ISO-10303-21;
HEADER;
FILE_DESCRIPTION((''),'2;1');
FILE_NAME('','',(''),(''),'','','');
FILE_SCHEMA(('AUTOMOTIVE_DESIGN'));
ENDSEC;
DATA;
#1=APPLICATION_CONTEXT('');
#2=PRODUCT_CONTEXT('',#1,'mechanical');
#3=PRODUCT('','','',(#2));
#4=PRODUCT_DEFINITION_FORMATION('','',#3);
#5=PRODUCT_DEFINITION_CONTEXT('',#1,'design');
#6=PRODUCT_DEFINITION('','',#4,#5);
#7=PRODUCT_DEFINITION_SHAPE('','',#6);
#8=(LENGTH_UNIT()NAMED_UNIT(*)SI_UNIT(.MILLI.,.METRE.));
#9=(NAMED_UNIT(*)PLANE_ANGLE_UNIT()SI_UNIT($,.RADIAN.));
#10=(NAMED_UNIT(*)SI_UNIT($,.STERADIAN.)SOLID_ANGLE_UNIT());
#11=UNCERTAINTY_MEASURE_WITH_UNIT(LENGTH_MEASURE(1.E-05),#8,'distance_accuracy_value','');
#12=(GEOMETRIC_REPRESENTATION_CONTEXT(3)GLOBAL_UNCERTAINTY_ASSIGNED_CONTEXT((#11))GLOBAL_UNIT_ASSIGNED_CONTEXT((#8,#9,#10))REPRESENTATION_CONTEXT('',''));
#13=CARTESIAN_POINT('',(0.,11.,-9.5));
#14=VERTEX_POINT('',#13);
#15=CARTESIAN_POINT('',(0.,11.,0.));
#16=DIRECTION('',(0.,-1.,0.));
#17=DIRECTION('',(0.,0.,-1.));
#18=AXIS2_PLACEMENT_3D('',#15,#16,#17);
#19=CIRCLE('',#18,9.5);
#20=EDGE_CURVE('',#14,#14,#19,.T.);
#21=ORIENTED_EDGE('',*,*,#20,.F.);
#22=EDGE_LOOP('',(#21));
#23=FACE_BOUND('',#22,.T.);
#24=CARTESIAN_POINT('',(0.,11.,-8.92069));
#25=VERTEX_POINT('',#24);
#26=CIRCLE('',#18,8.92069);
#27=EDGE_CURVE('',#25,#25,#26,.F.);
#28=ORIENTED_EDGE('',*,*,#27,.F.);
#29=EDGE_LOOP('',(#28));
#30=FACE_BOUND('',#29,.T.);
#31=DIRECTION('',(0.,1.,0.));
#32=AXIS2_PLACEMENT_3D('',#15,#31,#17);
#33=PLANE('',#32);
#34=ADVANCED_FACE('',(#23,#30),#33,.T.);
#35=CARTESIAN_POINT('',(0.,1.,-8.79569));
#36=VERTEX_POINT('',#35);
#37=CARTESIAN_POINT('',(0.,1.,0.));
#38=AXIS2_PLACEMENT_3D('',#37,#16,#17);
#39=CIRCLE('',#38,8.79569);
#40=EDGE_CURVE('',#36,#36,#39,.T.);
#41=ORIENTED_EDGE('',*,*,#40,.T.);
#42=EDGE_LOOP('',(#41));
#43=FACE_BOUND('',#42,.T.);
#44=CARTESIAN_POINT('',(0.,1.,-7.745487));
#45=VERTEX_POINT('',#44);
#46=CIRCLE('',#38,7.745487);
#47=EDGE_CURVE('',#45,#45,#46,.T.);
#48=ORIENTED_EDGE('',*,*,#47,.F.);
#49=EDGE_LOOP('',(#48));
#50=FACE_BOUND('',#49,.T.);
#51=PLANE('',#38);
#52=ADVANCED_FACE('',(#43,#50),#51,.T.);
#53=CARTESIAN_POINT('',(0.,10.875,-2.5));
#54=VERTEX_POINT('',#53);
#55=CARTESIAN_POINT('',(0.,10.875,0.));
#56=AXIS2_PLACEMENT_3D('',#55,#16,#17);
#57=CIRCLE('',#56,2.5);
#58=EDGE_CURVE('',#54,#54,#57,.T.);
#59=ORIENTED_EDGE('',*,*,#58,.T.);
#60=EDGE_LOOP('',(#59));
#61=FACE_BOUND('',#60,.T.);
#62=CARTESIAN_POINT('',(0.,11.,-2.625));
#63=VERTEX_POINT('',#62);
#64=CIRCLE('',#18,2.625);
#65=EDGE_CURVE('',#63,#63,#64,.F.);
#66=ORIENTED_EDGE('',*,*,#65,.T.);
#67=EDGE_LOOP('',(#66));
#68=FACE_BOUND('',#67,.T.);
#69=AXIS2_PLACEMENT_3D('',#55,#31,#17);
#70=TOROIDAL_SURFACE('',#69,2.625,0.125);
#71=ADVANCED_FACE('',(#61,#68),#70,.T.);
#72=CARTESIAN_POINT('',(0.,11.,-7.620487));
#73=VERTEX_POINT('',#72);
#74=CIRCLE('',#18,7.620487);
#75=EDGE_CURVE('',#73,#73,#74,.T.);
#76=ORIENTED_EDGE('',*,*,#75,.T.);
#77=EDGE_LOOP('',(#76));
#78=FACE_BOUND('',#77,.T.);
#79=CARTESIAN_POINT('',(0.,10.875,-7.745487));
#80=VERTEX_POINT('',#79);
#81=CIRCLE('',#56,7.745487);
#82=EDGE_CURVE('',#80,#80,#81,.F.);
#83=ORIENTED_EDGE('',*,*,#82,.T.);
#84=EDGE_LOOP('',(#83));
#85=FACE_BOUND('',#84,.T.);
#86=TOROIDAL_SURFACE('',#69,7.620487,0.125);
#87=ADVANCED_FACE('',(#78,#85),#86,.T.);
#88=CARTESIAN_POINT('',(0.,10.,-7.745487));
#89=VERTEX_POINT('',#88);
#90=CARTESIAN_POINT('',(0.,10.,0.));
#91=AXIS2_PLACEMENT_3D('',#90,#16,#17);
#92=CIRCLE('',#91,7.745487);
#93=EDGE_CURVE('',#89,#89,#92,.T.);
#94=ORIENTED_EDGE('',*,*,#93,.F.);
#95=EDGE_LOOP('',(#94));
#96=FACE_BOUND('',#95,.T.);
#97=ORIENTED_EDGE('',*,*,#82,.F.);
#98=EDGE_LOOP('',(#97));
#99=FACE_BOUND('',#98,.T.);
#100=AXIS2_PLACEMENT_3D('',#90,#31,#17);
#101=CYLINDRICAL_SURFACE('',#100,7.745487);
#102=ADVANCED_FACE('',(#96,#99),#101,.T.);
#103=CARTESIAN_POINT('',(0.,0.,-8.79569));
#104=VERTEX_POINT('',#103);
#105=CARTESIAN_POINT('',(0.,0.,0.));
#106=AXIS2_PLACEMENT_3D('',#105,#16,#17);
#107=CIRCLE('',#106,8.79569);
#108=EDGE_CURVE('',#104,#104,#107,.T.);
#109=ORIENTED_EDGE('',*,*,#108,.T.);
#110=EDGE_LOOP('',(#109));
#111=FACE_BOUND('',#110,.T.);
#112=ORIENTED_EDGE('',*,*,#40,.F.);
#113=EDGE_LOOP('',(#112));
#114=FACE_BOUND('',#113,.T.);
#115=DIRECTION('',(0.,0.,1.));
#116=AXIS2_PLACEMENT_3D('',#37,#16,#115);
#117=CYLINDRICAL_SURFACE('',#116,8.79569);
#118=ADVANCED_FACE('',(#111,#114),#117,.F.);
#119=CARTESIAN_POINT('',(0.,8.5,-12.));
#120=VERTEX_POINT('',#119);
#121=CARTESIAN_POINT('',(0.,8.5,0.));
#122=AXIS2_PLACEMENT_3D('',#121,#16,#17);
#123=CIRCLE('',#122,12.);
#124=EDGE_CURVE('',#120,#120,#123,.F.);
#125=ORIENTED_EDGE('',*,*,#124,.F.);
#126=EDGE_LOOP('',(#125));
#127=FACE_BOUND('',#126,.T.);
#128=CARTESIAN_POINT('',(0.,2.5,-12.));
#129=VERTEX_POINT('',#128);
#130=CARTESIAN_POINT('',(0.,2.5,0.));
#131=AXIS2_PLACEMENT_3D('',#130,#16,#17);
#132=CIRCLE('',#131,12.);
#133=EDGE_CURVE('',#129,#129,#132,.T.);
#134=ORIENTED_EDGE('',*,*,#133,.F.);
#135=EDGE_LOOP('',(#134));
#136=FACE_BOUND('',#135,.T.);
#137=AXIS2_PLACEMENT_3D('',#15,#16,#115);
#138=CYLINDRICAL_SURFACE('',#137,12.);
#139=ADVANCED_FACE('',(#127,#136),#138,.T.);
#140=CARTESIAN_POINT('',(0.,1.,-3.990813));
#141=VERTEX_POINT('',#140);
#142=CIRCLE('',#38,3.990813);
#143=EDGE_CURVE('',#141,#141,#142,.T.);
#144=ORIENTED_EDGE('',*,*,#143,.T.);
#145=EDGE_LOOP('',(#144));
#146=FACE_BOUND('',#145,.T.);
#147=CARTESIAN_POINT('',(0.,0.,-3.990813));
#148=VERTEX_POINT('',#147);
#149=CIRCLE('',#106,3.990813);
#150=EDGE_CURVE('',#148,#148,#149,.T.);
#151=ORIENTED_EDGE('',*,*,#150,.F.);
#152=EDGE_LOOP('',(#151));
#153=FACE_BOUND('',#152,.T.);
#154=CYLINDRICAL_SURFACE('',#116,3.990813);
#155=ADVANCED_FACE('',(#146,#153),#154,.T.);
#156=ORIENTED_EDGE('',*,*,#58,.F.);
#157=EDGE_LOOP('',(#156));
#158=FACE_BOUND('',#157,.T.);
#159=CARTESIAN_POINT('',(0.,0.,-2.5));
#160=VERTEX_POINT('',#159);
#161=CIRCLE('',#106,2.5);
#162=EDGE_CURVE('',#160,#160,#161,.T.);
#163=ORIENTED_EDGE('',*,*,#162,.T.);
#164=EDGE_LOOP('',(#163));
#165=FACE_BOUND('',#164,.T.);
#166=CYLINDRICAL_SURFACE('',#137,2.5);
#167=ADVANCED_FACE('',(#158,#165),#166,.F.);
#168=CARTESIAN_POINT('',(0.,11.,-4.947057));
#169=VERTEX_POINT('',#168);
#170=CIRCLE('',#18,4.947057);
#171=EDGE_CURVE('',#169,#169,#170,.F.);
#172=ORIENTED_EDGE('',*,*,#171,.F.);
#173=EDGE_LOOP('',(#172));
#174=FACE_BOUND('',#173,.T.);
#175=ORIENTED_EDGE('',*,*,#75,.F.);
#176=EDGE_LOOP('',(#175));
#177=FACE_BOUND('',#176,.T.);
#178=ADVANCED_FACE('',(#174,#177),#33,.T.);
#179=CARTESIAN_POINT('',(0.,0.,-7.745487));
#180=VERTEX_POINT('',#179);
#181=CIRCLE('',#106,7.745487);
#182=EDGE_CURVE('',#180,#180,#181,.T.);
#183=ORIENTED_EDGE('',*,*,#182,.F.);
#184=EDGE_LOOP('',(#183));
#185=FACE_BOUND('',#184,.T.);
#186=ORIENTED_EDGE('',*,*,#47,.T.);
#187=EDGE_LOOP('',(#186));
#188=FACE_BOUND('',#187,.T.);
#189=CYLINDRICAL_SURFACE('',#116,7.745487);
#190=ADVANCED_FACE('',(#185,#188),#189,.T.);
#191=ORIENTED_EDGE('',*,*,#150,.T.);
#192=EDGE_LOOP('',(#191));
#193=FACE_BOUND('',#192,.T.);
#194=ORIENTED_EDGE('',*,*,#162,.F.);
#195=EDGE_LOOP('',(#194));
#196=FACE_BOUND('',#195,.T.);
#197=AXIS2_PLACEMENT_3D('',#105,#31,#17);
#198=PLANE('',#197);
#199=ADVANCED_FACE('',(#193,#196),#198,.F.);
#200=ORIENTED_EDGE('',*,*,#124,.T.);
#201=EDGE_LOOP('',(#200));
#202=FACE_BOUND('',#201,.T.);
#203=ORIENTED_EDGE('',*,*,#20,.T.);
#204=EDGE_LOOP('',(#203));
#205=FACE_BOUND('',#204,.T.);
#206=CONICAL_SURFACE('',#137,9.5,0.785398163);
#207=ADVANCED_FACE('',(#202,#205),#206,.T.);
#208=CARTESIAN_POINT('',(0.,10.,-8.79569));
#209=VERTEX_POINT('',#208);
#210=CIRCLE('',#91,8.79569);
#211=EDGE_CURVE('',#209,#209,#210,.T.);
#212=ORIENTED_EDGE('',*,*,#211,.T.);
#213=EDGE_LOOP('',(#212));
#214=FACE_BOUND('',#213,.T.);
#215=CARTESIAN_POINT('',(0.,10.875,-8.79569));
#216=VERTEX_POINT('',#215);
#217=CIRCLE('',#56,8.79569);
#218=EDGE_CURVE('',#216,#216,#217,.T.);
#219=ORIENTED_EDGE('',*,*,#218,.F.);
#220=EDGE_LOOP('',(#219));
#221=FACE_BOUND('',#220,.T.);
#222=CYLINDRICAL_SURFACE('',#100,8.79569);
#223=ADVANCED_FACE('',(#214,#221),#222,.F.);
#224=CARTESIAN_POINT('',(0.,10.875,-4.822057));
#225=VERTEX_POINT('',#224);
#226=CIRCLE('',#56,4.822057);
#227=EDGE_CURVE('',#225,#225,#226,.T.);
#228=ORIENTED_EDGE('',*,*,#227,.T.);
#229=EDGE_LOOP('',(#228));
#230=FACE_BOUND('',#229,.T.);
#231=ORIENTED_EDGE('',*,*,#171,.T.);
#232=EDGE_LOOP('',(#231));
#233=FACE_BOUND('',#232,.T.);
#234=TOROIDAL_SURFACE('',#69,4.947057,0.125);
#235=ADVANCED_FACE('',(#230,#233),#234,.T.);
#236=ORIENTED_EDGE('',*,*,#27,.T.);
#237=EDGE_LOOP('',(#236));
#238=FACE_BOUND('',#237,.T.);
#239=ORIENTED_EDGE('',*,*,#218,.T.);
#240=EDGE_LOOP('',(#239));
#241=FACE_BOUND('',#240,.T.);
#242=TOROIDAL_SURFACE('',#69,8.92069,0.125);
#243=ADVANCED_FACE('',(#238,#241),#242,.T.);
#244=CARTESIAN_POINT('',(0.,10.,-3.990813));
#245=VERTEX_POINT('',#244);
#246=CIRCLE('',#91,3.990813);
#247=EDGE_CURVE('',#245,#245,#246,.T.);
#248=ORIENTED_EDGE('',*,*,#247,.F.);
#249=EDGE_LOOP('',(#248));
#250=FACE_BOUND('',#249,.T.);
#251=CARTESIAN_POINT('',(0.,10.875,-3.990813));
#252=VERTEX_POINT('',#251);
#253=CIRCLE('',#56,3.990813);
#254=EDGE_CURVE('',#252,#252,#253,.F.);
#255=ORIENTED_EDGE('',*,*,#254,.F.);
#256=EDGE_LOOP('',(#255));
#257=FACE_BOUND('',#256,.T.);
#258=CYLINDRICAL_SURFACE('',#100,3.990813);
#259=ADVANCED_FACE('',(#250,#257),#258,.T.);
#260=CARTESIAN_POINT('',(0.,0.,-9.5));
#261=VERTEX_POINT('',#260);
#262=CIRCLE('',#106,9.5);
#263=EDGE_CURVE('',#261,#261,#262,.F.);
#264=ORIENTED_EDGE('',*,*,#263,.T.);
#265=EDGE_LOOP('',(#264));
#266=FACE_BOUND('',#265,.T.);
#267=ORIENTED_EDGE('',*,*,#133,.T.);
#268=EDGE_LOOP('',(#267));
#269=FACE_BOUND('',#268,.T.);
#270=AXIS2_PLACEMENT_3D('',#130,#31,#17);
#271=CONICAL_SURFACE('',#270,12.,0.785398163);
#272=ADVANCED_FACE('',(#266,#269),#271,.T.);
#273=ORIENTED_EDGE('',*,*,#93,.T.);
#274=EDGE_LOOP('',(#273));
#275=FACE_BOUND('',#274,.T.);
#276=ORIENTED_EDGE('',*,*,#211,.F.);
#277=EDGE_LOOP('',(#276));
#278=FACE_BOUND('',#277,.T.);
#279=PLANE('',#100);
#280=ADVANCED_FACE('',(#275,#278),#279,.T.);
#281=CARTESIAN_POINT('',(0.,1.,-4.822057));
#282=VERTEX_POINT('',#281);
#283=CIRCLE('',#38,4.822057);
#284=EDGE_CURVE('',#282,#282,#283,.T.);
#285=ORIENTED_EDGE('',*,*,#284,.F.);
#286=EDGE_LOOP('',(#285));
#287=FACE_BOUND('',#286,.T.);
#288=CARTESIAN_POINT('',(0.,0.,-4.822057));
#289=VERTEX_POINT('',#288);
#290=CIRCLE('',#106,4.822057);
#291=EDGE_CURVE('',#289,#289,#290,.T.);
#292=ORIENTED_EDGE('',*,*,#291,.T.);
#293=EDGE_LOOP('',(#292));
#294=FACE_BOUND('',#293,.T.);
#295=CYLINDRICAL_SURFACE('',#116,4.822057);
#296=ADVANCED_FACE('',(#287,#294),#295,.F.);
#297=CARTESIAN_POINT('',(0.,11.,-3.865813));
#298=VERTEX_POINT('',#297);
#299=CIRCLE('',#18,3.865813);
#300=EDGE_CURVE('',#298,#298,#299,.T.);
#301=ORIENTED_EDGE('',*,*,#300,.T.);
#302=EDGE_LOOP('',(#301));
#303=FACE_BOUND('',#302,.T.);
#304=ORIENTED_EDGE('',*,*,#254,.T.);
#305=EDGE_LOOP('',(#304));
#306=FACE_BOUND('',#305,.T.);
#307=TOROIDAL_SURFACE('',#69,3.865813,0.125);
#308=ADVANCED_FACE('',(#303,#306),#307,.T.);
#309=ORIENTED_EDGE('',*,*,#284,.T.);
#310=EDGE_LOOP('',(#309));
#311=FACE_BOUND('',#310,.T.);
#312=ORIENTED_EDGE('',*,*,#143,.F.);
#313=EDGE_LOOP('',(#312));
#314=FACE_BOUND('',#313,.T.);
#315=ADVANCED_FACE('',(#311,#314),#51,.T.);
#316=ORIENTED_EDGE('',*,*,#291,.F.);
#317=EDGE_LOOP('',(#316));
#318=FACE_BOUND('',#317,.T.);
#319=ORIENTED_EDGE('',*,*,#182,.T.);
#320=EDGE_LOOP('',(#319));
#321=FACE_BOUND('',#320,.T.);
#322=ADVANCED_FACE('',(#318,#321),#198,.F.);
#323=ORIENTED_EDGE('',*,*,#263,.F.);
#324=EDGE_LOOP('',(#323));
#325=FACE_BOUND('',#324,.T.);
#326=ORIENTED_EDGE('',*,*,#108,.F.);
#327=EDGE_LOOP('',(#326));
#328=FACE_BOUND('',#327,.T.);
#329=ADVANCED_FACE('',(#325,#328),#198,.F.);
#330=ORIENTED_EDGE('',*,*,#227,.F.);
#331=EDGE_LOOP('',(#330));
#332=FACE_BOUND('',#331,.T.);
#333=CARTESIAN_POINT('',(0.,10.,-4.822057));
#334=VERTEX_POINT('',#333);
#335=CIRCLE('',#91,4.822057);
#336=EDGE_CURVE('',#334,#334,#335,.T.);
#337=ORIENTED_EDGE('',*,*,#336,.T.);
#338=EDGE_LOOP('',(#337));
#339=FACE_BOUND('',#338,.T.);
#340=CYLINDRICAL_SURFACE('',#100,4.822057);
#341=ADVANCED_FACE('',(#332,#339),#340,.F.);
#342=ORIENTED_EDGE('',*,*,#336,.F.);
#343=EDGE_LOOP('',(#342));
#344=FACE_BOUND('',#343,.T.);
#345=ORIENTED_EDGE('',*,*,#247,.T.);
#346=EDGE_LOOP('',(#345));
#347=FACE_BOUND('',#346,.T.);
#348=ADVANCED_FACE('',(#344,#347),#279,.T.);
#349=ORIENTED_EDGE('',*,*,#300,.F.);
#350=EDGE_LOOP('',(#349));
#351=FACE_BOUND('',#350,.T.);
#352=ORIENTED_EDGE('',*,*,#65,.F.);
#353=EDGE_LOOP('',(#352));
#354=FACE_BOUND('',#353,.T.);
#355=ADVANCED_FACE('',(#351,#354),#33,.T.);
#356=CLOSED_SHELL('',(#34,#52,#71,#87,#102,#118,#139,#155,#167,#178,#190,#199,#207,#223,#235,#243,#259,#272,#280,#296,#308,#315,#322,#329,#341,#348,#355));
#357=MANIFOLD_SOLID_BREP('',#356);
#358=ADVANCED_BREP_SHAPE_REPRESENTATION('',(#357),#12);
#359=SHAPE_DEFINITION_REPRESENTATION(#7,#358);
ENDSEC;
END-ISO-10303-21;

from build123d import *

# Parameters (mm, degrees)
SKETCH1_R           = 12
SKETCH1_R_2         = 2.5
BOSS_EXTRUDE1_DEPTH = 11
SKETCH3_R           = 8.795689967
SKETCH3_R_2         = 7.745486604
SKETCH3_R_3         = 4.822057037
SKETCH3_R_4         = 3.990813244
CUT_EXTRUDE1_DEPTH  = 1
CHAMFER1_SIZE       = 2.5
FILLET2_R           = 0.125


with BuildPart() as part:
    # Sketch1 → Boss-Extrude1 (new body)
    with BuildSketch(Plane(origin=(0, 0, 0), x_dir=(1, 0, 0), z_dir=(0, 1, 0))):
        with Locations(Location((0, 0, 0), (0, 0, 270))):
            Circle(SKETCH1_R)
        with Locations(Location((0, 0, 0), (0, 0, 270))):
            Circle(SKETCH1_R_2, mode=Mode.SUBTRACT)
    extrude(amount=BOSS_EXTRUDE1_DEPTH)

    # Sketch3 → Cut-Extrude1 (cut)
    # profile 1 of 2: a face of its own
    with BuildSketch(Plane(origin=(0, 11, 0), x_dir=(1, 0, 0), z_dir=(0, 1, 0))):
        with Locations(Location((0, 0, 0), (0, 0, 270))):
            Circle(SKETCH3_R)
        with Locations(Location((0, 0, 0), (0, 0, 270))):
            Circle(SKETCH3_R_2, mode=Mode.SUBTRACT)
    # profile 2 of 2: a face of its own
    with BuildSketch(Plane(origin=(0, 11, 0), x_dir=(1, 0, 0), z_dir=(0, 1, 0))):
        with Locations(Location((0, 0, 0), (0, 0, 270))):
            Circle(SKETCH3_R_3)
        with Locations(Location((0, 0, 0), (0, 0, 270))):
            Circle(SKETCH3_R_4, mode=Mode.SUBTRACT)
    cut_extrude1 = extrude(amount=-CUT_EXTRUDE1_DEPTH, mode=Mode.SUBTRACT)

    # Chamfer1
    chamfer1_edges = [part.edges().sort_by_distance(p)[0] for p in [
        (0, 0, -12),
        (0, 11, -12),
    ]]
    chamfer(chamfer1_edges, length=CHAMFER1_SIZE)

    # Fillet2
    fillet2_edges = [part.edges().sort_by_distance(p)[0] for p in [
        (0, 11, -3.990813244),
        (0, 11, -4.822057037),
        (0, 11, -7.745486604),
        (0, 11, -8.795689967),
        (0, 11, -2.5),
    ]]
    fillet(fillet2_edges, radius=FILLET2_R)

    # Mirror3: Cut-Extrude1 across plane
    add(cut_extrude1.mirror(Plane.ZX.offset(5.5)), mode=Mode.SUBTRACT)


solid = part.part
